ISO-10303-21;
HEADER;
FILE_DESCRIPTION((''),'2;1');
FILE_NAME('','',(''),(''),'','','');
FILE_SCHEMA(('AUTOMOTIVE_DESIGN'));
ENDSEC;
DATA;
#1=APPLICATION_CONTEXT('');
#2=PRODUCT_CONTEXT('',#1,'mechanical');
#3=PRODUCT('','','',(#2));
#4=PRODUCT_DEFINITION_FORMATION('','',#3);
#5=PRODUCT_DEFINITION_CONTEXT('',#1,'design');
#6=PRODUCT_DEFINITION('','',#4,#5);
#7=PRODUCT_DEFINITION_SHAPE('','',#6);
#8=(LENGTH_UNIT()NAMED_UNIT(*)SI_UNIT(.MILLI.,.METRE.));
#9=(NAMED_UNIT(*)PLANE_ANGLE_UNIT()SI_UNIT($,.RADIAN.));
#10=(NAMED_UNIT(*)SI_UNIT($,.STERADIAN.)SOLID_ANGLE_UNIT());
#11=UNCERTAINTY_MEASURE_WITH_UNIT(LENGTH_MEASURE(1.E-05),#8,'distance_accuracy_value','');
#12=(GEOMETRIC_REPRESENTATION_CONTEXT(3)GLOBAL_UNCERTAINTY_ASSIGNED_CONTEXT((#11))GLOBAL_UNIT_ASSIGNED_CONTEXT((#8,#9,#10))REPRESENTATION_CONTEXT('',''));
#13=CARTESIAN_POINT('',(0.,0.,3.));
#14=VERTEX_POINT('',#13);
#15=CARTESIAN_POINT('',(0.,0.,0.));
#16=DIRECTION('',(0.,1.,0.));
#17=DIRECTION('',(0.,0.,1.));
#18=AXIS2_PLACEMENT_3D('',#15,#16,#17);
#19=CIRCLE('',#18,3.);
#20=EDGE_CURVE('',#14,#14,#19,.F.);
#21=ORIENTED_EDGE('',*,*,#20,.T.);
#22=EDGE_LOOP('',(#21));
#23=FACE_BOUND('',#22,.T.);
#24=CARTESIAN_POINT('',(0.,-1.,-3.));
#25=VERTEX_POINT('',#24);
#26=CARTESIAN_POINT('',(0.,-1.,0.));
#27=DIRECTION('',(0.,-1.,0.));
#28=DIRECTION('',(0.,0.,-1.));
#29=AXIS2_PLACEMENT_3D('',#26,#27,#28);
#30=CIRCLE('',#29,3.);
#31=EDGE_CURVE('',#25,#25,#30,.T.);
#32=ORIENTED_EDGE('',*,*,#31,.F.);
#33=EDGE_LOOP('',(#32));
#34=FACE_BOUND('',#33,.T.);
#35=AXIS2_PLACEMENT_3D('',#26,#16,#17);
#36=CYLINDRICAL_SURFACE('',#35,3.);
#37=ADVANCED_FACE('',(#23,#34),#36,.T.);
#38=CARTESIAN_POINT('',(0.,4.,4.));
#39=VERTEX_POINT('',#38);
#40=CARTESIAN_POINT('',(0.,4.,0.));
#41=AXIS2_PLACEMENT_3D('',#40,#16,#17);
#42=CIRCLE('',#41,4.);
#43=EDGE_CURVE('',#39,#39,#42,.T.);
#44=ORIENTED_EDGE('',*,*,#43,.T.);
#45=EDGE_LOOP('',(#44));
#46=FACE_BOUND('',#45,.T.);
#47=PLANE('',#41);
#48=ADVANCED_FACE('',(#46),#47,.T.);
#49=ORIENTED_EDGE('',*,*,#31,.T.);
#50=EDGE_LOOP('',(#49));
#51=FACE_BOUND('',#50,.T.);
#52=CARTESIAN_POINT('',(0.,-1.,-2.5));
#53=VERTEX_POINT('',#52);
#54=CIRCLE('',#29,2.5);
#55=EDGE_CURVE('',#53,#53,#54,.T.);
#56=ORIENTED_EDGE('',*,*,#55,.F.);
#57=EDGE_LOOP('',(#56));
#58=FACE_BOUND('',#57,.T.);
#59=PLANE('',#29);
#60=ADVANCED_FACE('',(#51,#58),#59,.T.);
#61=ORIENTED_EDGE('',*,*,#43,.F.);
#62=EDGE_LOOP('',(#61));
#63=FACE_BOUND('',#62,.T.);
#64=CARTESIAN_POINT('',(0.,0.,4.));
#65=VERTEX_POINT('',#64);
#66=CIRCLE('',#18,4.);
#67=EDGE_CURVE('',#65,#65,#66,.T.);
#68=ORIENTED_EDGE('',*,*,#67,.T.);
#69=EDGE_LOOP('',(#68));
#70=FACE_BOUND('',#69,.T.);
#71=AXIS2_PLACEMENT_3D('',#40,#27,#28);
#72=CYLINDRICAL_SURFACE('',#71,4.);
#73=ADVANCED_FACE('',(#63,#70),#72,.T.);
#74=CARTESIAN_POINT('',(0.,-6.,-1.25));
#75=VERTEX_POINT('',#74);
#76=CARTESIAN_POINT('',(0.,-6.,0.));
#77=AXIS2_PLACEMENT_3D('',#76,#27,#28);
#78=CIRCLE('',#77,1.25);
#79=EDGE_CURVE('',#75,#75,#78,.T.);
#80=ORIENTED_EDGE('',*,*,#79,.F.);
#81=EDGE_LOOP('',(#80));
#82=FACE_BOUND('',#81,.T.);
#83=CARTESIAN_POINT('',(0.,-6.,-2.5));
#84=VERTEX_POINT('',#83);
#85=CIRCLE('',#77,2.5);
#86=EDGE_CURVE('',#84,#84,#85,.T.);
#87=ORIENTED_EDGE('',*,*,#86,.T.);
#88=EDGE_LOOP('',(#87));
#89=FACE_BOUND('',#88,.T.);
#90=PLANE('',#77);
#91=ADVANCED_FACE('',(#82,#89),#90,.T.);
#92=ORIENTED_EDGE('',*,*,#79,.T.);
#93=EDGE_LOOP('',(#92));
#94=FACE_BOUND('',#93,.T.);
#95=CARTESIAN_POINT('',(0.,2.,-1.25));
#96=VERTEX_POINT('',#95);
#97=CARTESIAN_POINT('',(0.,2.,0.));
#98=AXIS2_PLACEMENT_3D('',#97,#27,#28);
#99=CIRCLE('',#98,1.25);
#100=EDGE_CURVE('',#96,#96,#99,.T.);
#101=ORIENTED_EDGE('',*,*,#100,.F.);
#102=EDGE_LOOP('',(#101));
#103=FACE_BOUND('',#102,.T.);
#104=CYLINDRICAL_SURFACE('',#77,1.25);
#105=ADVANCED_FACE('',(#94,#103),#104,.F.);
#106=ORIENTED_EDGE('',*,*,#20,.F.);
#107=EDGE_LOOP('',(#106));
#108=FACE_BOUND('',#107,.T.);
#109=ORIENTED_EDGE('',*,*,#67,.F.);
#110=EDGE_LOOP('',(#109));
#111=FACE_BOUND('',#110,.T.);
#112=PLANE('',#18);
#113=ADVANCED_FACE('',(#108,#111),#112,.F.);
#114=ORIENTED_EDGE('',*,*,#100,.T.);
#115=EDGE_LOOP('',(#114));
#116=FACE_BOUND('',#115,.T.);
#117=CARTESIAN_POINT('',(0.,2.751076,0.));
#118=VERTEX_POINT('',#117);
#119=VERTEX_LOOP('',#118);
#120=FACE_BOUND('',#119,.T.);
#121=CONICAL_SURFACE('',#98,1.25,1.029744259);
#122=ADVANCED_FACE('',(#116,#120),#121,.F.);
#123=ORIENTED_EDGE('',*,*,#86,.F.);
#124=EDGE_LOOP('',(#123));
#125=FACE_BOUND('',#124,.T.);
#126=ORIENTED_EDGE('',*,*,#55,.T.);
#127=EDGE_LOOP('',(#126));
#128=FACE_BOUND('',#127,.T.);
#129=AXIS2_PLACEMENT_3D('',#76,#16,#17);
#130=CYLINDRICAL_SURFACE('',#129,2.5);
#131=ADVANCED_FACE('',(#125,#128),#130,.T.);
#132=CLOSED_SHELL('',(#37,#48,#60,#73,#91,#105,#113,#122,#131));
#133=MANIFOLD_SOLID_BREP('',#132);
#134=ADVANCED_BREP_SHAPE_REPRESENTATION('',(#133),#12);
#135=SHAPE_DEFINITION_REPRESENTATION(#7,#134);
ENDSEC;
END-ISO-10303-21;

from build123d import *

# Parameters (mm, degrees)
ESBO_O1_R                = 4
RESSALTO_EXTRUS_O1_DEPTH = 4
ESBO_O4_R                = 2.5
RESSALTO_EXTRUS_O2_DEPTH = 6
ESBO_O5_R                = 3
RESSALTO_EXTRUS_O4_DEPTH = 1


with BuildPart() as part:
    # Esboço1 → Ressalto-extrusão1 (new body)
    with BuildSketch(Plane(origin=(0, 0, 0), x_dir=(1, 0, 0), z_dir=(0, 1, 0))):
        with Locations(Location((0, 0, 0), (0, 0, 270))):
            Circle(ESBO_O1_R)
    extrude(amount=RESSALTO_EXTRUS_O1_DEPTH)

    # Esboço4 → Ressalto-extrusão2 (add)
    with BuildSketch(Plane(origin=(0, 0, 0), x_dir=(-1, 0, 0), z_dir=(0, -1, 0))):
        with Locations(Location((0, 0, 0), (0, 0, 90))):
            Circle(ESBO_O4_R)
    extrude(amount=RESSALTO_EXTRUS_O2_DEPTH)

    # Esboço5 → Ressalto-extrusão4 (add)
    with BuildSketch(Plane.XZ):
        with Locations(Location((0, 0, 0), (0, 0, 90))):
            Circle(ESBO_O5_R)
    extrude(amount=RESSALTO_EXTRUS_O4_DEPTH)

    # Esboço7 → Broca de rosquear para tarraxa de M31 (revolve, cut)
    with BuildSketch(Plane(origin=(0, -6, 0), x_dir=(0, 0, -1), z_dir=(1, 0, 0))):
        Polygon((0, 0), (0, 8.751075774), (1.25, 8), (1.25, 0), align=None)
    revolve(axis=Axis((0, -12.35, 0), (0, 1, 0)), mode=Mode.SUBTRACT)


solid = part.part
